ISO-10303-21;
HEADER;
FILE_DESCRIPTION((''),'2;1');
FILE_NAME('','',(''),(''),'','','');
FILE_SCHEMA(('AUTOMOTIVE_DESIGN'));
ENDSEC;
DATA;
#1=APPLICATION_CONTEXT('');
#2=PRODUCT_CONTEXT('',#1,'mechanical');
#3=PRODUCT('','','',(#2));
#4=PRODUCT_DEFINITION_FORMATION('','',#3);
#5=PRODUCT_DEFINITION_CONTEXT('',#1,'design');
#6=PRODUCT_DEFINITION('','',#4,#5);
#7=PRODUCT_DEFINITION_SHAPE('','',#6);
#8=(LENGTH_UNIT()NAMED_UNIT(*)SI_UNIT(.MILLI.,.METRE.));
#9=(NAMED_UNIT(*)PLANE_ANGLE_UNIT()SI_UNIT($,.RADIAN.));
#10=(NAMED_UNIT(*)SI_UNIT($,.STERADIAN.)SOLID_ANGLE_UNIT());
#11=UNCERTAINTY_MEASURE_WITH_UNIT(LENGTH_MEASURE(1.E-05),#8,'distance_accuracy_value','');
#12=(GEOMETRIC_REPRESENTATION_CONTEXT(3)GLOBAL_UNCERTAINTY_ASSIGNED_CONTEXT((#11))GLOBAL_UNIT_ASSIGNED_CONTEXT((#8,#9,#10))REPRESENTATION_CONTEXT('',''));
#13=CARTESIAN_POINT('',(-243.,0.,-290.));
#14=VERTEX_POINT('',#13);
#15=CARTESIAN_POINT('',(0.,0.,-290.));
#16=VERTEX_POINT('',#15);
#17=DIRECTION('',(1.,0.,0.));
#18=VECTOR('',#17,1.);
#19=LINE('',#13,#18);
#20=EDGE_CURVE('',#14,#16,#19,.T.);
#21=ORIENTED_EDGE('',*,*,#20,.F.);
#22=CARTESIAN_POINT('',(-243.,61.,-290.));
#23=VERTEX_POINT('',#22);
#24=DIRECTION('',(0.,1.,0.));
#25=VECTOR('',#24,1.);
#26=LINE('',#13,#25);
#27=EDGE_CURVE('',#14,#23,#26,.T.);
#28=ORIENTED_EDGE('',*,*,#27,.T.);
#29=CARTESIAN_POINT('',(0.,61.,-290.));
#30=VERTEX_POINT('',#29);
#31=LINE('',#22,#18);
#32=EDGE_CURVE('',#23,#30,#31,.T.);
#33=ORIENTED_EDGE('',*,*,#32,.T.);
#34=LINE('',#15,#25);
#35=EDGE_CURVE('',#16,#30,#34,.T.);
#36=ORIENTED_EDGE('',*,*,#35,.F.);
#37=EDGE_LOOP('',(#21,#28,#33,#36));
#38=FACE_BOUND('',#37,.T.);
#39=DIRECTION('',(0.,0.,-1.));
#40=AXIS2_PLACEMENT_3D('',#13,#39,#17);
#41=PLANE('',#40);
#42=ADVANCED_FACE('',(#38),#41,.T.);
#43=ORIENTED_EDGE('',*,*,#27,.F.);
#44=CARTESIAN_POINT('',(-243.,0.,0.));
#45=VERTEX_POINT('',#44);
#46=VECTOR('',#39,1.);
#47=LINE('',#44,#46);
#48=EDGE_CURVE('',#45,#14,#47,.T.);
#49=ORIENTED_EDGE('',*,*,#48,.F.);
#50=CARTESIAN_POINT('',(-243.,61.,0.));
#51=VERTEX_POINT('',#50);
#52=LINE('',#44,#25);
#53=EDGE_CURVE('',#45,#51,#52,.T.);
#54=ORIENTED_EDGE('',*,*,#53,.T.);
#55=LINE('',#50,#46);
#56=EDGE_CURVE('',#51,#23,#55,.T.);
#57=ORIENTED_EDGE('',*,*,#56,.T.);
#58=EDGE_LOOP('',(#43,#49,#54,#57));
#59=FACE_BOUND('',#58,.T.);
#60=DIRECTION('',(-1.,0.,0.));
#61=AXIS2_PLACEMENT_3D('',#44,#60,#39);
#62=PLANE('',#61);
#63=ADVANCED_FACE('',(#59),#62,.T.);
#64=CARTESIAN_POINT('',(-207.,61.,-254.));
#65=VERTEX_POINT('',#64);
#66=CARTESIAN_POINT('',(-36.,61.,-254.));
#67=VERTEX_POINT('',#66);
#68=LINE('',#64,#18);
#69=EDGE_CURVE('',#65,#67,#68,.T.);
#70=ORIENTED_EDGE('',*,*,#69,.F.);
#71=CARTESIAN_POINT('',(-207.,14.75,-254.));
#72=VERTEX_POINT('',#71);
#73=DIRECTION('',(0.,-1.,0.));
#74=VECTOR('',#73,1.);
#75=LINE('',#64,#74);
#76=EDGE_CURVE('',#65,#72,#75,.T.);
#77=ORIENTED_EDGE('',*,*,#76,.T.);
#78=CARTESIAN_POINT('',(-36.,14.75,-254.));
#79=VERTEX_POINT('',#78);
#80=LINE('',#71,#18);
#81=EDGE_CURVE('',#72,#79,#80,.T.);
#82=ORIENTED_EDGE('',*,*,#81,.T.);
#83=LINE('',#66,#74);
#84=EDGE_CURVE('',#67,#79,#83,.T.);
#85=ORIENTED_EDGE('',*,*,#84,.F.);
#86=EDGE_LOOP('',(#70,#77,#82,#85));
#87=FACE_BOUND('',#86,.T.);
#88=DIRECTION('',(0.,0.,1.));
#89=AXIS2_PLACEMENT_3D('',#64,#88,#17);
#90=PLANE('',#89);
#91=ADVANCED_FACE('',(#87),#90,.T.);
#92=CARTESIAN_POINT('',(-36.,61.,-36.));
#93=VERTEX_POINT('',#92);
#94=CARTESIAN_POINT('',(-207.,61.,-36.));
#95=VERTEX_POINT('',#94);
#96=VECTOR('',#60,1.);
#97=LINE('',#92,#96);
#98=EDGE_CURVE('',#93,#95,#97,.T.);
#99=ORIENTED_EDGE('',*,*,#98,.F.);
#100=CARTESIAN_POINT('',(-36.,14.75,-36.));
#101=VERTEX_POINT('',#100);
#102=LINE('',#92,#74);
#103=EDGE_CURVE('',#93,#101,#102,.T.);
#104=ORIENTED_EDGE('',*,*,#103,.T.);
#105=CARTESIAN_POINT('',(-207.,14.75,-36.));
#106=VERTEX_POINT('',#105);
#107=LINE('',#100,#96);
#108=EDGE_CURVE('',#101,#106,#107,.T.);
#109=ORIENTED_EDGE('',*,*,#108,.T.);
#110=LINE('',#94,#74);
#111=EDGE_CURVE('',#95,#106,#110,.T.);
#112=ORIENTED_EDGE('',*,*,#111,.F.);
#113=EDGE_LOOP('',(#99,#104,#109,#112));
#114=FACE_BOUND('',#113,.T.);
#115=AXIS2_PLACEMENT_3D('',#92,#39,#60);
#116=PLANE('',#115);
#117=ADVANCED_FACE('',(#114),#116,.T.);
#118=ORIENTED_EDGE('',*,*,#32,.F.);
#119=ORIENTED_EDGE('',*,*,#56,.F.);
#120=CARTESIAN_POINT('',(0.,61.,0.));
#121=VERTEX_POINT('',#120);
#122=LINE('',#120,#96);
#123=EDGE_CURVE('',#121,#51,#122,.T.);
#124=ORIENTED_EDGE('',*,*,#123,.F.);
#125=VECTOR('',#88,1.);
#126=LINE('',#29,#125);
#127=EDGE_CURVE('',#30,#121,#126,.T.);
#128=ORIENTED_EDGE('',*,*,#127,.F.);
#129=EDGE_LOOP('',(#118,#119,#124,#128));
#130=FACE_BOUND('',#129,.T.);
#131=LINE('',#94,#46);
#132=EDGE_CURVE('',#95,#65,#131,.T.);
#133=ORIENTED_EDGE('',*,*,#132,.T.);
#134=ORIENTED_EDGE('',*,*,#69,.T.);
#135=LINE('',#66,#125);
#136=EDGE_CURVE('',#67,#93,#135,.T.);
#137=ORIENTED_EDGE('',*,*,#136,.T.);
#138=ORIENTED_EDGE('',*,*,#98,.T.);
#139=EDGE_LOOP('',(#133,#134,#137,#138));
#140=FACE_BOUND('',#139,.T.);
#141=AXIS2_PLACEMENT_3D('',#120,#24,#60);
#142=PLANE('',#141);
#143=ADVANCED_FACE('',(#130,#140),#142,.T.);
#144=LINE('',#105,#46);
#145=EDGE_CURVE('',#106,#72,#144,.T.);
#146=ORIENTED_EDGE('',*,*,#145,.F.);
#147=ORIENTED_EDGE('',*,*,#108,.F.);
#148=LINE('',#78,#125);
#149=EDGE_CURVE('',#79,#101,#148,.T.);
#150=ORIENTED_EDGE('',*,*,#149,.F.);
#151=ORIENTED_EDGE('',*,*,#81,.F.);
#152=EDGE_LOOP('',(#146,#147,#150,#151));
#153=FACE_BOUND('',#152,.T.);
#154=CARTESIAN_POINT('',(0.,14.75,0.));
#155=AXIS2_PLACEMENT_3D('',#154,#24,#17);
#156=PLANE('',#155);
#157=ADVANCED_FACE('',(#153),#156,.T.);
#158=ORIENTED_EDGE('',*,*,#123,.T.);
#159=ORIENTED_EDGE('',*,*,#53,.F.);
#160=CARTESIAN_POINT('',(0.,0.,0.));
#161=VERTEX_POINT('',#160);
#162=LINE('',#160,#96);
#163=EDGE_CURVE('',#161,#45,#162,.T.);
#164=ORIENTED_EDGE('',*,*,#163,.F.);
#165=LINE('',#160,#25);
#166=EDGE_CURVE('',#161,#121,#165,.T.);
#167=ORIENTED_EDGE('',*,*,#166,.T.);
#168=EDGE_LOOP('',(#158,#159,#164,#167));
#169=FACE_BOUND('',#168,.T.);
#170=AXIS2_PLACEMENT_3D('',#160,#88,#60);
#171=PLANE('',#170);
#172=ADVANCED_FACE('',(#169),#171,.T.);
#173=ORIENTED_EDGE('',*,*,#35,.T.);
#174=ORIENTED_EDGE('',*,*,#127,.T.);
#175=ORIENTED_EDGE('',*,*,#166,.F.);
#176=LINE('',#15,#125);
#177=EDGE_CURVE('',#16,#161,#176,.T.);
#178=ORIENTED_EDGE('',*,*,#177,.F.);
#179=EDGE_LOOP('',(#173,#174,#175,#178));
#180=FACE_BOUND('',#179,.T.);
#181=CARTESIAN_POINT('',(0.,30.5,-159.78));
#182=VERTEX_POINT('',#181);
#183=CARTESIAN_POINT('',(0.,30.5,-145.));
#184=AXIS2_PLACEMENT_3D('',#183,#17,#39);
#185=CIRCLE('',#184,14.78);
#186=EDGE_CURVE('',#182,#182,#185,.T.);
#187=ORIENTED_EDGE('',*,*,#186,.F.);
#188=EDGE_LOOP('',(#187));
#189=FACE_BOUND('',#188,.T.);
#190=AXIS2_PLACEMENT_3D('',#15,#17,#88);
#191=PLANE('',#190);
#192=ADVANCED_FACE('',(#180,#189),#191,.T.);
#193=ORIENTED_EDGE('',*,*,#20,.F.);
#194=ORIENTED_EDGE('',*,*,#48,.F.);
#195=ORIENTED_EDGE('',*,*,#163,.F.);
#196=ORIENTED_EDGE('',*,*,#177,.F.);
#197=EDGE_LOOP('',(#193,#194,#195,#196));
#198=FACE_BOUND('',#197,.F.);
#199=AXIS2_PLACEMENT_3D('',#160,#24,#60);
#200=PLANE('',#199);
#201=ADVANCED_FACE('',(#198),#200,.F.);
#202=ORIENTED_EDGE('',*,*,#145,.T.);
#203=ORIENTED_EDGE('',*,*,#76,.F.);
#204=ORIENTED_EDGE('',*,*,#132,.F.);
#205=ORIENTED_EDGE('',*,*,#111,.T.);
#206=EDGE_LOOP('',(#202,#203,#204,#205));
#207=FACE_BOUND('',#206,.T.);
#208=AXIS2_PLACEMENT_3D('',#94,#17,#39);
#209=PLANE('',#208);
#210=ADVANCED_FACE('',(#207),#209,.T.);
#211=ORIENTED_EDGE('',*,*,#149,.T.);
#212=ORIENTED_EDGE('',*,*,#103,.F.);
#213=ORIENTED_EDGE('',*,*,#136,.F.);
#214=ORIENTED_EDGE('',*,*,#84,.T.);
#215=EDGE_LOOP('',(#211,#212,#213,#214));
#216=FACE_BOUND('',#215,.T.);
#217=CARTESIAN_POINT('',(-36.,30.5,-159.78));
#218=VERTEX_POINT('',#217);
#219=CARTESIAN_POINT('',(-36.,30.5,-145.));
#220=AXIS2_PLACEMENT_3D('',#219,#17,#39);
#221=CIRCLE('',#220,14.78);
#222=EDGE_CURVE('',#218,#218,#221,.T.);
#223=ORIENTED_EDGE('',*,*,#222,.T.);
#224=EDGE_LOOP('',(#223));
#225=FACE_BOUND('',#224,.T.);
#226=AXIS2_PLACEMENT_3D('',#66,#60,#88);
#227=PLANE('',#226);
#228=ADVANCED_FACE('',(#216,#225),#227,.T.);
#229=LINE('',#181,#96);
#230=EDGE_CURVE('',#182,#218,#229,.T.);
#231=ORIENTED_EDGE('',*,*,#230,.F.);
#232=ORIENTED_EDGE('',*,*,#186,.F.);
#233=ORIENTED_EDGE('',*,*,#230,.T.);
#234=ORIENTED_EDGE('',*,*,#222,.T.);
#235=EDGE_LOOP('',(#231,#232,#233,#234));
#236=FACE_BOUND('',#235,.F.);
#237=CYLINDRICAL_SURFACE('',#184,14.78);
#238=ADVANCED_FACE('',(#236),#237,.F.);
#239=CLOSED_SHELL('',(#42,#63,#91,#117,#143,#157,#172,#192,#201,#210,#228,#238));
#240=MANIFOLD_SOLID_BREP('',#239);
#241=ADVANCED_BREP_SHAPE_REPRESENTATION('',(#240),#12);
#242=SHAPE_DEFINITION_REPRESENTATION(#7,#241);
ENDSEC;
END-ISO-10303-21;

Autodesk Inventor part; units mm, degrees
ref_plane "YZ Plane" through (0, 0, 0) normal (1, 0, 0) x (0, 1, 0)
ref_plane "XZ Plane" through (0, 0, 0) normal (0, 1, 0) x (-1, 0, 0)
ref_plane "XY Plane" through (0, 0, 0) normal (0, 0, 1) x (1, 0, 0)
sketch "Boceto2" plane through (0, 0, 0) normal (0, 1, 0) x (-1, 0, 0)
  line L0 (0, 0) -> (243, 0)
  line L1 (243, 0) -> (243, -290)
  line L2 (243, -290) -> (0, -290)
  line L3 (0, -290) -> (0, 0)
  dimension "d4" = 243
  dimension "d5" = 290
extrude "Extrusión2" add sketch "Boceto2" along normal blind 61
sketch "Boceto3" plane through (0, 61, 0) normal (0, 1, 0) x (1, 0, 0)
  line L0 (0, 290) -> (-243, 290) projected
  line L1 (-243, 290) -> (-243, 0) projected
  line L2 (-243, 0) -> (0, 0) projected
  line L3 (0, 0) -> (0, 290) projected
  line L4 (-207, 36) -> (-207, 254)
  line L5 (-207, 254) -> (-36, 254)
  line L6 (-36, 254) -> (-36, 36)
  line L7 (-36, 36) -> (-207, 36)
  dimension "d8" = 36
sketch "Boceto4" plane through (0, 0, 0) normal (1, 0, 0) x (0, 0, -1)
  line L0 (0, 0) -> (290, 0) projected
  line L1 (290, 0) -> (290, 61) projected
  line L2 (0, 61) -> (290, 61) projected
  line L3 (0, 0) -> (0, 61) projected
  circle A0 centre (145, 30.5) radius 14.78
  dimension "d9" = 29.56
extrude "Extrusión3" cut sketch "Boceto4" against normal blind 69.75 contours A0
extrude "Extrusión4" cut sketch "Boceto3" against normal blind 46.25 contours L4 L5 L6 L7
properties part number "MADERA"
